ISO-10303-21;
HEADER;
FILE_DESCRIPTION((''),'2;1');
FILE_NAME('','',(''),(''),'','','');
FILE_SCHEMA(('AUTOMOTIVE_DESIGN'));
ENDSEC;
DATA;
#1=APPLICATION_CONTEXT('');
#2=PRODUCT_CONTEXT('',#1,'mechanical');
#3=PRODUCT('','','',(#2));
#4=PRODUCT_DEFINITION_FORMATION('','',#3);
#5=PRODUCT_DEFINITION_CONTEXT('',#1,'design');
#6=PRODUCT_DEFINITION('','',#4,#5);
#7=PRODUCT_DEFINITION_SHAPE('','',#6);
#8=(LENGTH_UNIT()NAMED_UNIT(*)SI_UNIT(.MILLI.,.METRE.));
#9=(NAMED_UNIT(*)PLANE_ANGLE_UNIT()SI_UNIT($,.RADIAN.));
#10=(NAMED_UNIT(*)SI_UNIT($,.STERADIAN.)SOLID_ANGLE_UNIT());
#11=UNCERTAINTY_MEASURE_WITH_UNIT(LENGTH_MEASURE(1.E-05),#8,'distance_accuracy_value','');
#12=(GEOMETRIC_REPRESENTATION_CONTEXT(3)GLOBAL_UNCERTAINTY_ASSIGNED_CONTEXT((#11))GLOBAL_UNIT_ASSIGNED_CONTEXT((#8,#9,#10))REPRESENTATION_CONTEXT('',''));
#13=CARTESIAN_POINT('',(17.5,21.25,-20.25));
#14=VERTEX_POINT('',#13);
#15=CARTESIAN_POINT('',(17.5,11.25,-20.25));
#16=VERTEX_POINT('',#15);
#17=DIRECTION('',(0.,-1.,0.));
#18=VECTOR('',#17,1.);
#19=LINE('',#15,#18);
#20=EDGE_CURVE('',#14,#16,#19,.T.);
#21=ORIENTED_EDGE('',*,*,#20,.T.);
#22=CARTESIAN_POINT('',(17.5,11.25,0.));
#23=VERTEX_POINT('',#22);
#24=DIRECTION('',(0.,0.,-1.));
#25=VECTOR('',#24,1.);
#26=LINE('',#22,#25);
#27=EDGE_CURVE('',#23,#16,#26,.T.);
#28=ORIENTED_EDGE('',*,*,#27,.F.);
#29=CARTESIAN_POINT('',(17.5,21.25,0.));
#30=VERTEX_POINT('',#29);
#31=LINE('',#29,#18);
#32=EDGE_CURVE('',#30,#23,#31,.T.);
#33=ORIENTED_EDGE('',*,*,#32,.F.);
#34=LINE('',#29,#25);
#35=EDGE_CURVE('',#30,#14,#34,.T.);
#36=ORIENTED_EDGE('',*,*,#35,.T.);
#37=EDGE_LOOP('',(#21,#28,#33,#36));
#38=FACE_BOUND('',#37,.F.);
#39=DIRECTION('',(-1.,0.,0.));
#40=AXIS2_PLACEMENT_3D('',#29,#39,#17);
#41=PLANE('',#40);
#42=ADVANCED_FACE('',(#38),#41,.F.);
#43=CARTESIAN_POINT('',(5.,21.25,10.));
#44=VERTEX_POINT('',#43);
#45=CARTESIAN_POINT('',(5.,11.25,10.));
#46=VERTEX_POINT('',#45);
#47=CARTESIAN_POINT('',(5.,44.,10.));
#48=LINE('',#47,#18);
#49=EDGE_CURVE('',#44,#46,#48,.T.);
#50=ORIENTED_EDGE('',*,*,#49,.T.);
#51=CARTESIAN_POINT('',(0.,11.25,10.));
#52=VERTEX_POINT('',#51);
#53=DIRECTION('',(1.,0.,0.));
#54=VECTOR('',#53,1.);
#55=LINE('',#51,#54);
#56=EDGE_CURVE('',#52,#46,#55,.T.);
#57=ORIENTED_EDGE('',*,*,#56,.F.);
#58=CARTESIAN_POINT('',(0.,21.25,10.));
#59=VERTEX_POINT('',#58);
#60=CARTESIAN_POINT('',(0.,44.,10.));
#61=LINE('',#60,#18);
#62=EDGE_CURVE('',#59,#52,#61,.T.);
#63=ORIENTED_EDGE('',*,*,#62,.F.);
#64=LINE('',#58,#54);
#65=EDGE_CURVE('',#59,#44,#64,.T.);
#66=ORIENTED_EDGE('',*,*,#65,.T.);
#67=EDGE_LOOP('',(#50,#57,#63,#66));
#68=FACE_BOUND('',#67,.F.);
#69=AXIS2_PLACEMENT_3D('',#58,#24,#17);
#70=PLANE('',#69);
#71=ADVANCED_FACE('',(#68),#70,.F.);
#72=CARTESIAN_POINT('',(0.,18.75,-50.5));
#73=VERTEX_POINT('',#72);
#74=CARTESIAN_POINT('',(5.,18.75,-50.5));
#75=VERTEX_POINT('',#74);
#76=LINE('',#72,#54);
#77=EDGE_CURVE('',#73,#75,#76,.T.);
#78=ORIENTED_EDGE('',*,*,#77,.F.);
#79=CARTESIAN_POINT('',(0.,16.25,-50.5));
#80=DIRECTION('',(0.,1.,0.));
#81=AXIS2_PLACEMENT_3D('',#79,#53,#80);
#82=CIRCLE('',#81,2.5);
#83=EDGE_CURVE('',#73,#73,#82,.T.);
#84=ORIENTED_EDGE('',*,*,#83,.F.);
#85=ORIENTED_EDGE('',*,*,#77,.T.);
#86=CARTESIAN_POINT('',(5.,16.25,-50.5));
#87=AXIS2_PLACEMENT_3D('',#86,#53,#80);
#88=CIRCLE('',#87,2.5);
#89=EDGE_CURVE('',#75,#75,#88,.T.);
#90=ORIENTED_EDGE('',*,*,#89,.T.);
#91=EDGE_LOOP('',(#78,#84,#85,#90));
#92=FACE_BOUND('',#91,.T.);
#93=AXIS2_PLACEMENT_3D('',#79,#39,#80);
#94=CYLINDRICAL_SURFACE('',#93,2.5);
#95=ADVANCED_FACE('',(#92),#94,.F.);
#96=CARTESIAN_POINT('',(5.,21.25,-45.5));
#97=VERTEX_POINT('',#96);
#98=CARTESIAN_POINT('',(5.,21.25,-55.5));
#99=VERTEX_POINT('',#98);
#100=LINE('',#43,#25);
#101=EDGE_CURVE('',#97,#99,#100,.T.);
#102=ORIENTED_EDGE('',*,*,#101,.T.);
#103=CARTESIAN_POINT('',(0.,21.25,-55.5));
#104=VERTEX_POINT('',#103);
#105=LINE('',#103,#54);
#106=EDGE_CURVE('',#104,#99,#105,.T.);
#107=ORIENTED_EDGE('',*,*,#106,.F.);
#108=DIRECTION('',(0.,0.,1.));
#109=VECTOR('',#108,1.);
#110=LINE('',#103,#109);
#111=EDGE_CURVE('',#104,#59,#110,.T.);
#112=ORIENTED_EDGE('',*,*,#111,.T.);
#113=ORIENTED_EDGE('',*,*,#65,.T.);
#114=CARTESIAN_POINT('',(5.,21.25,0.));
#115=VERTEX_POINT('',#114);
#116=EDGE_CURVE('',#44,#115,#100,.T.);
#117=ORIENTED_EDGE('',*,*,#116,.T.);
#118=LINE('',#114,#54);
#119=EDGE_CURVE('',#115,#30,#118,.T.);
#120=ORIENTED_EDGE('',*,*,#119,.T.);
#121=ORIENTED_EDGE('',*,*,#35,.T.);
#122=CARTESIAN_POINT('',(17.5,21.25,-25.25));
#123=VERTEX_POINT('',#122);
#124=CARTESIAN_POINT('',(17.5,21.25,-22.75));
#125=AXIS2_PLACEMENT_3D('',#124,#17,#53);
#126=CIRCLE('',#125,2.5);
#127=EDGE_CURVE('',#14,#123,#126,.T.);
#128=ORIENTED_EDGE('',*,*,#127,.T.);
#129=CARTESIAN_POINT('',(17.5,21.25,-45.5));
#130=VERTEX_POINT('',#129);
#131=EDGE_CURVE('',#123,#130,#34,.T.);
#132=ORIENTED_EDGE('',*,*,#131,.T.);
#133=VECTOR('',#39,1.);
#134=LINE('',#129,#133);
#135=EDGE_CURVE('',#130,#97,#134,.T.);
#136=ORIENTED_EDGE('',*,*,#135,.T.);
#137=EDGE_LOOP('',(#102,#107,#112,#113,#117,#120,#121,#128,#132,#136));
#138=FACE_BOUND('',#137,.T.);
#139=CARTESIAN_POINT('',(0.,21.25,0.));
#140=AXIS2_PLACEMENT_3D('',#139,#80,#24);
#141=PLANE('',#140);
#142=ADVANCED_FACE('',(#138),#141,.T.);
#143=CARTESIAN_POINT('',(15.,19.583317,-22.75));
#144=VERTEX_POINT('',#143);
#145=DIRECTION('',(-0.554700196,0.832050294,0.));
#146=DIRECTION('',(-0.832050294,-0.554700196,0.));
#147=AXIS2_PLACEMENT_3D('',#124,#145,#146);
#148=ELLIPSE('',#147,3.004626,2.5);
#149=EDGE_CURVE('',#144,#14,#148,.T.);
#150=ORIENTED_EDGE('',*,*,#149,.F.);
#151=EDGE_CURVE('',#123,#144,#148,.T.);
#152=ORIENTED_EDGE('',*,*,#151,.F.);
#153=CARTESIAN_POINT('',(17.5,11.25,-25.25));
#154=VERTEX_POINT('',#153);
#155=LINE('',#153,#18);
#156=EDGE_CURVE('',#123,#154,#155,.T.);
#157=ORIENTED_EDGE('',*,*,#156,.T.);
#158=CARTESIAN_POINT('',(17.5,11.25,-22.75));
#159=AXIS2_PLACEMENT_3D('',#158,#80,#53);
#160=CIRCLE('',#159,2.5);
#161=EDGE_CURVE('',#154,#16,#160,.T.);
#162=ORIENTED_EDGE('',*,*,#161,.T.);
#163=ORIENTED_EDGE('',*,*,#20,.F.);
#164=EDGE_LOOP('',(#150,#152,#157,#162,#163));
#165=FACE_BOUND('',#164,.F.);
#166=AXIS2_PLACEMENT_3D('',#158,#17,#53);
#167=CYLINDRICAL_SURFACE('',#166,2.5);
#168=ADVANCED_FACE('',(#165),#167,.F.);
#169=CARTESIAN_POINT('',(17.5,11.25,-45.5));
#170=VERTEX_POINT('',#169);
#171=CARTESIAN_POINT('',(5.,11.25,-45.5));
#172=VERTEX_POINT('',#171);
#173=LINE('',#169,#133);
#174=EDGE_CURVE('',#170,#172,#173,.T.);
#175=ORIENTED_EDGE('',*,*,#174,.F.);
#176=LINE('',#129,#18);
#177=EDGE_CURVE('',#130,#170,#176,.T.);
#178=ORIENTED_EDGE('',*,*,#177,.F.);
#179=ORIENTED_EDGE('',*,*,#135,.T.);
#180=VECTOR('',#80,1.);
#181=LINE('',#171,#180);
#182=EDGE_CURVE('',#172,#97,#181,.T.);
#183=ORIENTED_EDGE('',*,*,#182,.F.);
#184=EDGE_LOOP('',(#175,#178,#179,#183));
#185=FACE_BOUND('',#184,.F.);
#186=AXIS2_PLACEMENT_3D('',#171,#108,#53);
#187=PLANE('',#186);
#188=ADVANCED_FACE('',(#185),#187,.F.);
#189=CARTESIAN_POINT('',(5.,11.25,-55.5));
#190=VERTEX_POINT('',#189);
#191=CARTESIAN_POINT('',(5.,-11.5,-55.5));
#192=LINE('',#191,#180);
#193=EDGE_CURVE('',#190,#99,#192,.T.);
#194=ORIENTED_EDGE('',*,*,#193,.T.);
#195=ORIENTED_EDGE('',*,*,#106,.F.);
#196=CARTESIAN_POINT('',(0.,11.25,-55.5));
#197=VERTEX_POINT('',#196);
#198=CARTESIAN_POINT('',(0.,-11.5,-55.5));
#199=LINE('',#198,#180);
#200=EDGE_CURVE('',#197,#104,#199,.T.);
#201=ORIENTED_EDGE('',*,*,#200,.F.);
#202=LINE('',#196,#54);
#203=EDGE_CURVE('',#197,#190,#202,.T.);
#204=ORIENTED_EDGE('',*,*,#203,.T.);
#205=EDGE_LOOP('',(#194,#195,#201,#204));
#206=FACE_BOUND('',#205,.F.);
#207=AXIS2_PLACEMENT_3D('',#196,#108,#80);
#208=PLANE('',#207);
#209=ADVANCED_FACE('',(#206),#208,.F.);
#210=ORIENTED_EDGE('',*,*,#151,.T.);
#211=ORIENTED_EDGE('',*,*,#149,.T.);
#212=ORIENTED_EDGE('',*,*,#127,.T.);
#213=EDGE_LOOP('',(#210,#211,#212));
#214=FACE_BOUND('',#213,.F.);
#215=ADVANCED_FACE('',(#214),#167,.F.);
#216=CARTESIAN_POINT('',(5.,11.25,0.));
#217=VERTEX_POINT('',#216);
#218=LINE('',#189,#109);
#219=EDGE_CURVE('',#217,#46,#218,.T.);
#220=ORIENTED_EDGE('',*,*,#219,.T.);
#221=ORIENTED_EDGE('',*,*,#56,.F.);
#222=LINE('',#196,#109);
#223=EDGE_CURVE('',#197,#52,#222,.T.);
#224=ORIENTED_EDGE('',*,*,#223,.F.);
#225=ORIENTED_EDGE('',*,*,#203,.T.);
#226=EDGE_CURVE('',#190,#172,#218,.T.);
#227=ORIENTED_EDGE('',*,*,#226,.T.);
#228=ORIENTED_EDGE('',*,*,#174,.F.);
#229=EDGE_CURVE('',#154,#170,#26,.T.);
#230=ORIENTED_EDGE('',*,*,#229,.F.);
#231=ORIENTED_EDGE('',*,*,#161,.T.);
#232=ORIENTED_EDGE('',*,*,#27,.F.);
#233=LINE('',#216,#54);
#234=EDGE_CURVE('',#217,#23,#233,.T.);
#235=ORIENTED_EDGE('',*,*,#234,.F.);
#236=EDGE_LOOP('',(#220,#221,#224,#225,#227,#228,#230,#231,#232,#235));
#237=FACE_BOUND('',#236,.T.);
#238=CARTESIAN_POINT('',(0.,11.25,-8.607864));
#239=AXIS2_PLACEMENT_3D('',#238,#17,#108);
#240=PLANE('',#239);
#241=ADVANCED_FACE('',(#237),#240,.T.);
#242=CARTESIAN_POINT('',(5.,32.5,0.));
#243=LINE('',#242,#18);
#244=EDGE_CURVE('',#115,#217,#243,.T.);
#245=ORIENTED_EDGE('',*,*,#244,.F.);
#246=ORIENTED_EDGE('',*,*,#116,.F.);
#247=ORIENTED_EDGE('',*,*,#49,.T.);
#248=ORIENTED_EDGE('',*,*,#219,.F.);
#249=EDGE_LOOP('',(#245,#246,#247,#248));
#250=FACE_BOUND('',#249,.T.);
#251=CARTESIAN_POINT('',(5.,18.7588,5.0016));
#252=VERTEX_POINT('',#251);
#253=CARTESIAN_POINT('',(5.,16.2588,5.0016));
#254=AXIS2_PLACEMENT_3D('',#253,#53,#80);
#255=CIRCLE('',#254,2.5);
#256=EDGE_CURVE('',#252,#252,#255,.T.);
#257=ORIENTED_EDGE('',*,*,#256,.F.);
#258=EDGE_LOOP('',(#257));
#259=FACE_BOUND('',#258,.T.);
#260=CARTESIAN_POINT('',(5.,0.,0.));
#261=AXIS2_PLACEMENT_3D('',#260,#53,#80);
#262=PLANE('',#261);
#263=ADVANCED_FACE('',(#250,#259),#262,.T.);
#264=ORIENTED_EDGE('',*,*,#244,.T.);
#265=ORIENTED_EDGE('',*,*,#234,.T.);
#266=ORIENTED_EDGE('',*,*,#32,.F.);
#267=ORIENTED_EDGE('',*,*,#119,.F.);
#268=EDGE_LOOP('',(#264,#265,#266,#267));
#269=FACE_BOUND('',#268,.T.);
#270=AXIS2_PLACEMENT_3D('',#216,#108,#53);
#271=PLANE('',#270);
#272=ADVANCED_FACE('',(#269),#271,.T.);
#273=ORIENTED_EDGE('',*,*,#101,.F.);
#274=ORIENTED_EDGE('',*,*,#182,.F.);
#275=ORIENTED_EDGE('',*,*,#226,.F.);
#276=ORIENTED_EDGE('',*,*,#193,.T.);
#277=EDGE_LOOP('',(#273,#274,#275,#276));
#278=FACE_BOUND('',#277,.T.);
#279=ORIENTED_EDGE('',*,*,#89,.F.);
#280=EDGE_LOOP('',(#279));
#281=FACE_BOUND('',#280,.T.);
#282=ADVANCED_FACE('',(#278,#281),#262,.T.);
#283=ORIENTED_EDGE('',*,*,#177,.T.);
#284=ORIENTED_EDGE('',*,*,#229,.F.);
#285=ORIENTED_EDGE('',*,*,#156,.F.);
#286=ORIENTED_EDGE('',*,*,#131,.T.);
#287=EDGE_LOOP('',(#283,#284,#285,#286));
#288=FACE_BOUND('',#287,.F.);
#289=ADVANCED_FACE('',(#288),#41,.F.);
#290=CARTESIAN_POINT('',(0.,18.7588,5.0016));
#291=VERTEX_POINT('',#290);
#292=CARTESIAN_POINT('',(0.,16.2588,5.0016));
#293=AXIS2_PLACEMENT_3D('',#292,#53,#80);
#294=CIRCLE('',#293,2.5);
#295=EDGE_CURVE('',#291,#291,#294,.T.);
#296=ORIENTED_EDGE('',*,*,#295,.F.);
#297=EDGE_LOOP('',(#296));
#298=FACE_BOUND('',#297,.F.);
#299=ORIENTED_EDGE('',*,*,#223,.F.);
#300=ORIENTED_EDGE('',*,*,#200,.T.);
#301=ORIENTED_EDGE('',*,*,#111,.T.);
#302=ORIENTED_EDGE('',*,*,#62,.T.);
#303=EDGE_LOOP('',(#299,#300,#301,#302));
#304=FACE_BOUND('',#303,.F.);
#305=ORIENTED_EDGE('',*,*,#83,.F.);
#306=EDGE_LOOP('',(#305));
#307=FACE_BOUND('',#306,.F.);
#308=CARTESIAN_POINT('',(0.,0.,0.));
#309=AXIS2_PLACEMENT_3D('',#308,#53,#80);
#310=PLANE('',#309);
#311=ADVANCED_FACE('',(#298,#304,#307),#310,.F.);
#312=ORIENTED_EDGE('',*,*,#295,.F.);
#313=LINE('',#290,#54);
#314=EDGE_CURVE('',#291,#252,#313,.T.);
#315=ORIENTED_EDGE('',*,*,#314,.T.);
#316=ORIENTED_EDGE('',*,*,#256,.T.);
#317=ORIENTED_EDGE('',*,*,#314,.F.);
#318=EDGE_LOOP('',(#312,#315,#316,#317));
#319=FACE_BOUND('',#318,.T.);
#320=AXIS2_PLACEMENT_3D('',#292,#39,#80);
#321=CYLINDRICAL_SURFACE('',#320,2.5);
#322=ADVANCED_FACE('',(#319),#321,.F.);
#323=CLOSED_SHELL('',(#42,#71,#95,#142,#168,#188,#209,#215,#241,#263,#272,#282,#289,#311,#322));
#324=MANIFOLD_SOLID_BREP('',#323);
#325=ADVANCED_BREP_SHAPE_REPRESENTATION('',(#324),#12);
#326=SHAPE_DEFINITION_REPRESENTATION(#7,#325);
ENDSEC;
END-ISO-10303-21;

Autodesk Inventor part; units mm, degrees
ref_plane "YZ Plane" through (0, 0, 0) normal (1, 0, 0) x (0, 1, 0)
ref_plane "XZ Plane" through (0, 0, 0) normal (0, 1, 0) x (-1, 0, 0)
ref_plane "XY Plane" through (0, 0, 0) normal (0, 0, 1) x (1, 0, 0)
sketch "Sketch1" plane through (0, 0, 0) normal (1, 0, 0) x (0, 1, 0)
  line L0 (-6, -12.5) -> (-6, -12.9)
  arc A0 (-6, -12.9) -> (-5.6, -13.3) centre (-5.6, -12.9) ccw
  line L1 (-5.6, -13.3) -> (-4.9, -13.3)
  arc A1 (-4.9, -13.3) -> (-4.7, -13.1) centre (-4.9, -13.1) ccw
  line L2 (-4.7, -13.1) -> (-4.7, -12.85)
  arc A2 (-4.5, -12.65) -> (-4.7, -12.85) centre (-4.5, -12.85) ccw
  line L3 (-4.5, -12.65) -> (-1.8, -12.65)
  arc A3 (-1.4, -13.05) -> (-1.8, -12.65) centre (-1.8, -13.05) ccw
  line L4 (-1.4, -13.05) -> (-1.4, -18.75)
  line L5 (-1.8, -19.15) -> (-4.5, -19.15)
  arc A4 (-1.8, -19.15) -> (-1.4, -18.75) centre (-1.8, -18.75) ccw
  arc A5 (-4.7, -18.95) -> (-4.5, -19.15) centre (-4.5, -18.95) ccw
  line L6 (-4.7, -18.95) -> (-4.7, -18.7)
  arc A6 (-4.7, -18.7) -> (-4.9, -18.5) centre (-4.9, -18.7) ccw
  line L7 (-4.9, -18.5) -> (-5.6, -18.5)
  arc A7 (-5.6, -18.5) -> (-6, -18.9) centre (-5.6, -18.9) ccw
  line L8 (-6, -18.9) -> (-6, -19.5)
  line L9 (-6.5, -6.5) -> (-6.5, -12.5)
  line L10 (-6.5, -12.5) -> (-2.5, -12.5)
  line L11 (-1.05, -19.5) -> (-6.5, -19.5)
  line L12 (-6.5, -19.5) -> (-6.5, -26)
  line L13 (-6.5, -26) -> (-1.05, -26)
  line L14 (-6, -26) -> (-6, -26.6)
  arc A8 (-6, -26.6) -> (-5.6, -27) centre (-5.6, -26.6) ccw
  line L15 (-5.6, -27) -> (-4.9, -27)
  arc A9 (-4.9, -27) -> (-4.7, -26.8) centre (-4.9, -26.8) ccw
  arc A10 (-4.5, -26.35) -> (-4.7, -26.55) centre (-4.5, -26.55) ccw
  line L16 (-4.7, -26.8) -> (-4.7, -26.55)
  line L17 (-4.5, -26.35) -> (-1.8, -26.35)
  arc A11 (-1.4, -26.75) -> (-1.8, -26.35) centre (-1.8, -26.75) ccw
  line L18 (-1.4, -26.75) -> (-1.4, -32.45)
  arc A12 (-1.8, -32.85) -> (-1.4, -32.45) centre (-1.8, -32.45) ccw
  line L19 (-1.8, -32.85) -> (-4.5, -32.85)
  arc A13 (-4.7, -32.65) -> (-4.5, -32.85) centre (-4.5, -32.65) ccw
  line L20 (-4.7, -32.65) -> (-4.7, -32.4)
  arc A14 (-4.7, -32.4) -> (-4.9, -32.2) centre (-4.9, -32.4) ccw
  line L21 (-4.9, -32.2) -> (-5.6, -32.2)
  arc A15 (-5.6, -32.2) -> (-6, -32.6) centre (-5.6, -32.6) ccw
  line L22 (-6, -32.6) -> (-6, -33)
  line L23 (-2.5, -33) -> (-6.5, -33)
  line L24 (-6.5, -33) -> (-6.5, -39)
  line L25 (32.5, 0) -> (0, 0)
  circle A16 centre (0, -6.5) radius 4.75
  circle A17 centre (32.5, -6.5) radius 4.75
  circle A18 centre (0, -39) radius 4.75
  circle A19 centre (32.5, -39) radius 4.75
  line L26 (39, -26) -> (39, -19.5)
  line L27 (39, -12.5) -> (39, -6.5)
  line L28 (39, -39) -> (39, -33)
  line L29 (26.5, -45.5) -> (32.5, -45.5)
  line L30 (0, -45.5) -> (6, -45.5)
  line L31 (13, -45.5) -> (19.5, -45.5)
  circle A20 centre (16.25, -22.75) radius 15
  circle A21 centre (16.2588, 5.0016) radius 2.5
  circle A22 centre (16.25, -50.5) radius 2.5
  circle A23 centre (16.25, -22.75) radius 5
  circle A24 centre (16.25, -22.75) radius 8.45
  line L32 (24.75, -27.6575) -> (24.75, -17.8425)
  line L33 (44, 10) -> (-11.5, 10)
  line L34 (-11.5, 10) -> (-11.5, -55.5)
  line L35 (-11.5, -55.5) -> (44, -55.5)
  line L36 (44, -55.5) -> (44, 10)
  line L37 (-11.5, 30) -> (44, 30)
  line L38 (-11.5, -75.5) -> (-11.5, 30)
  line L39 (44, 30) -> (44, -75.5)
  line L40 (44, -75.5) -> (-11.5, -75.5)
  circle A25 centre (16.25, -65.5) radius 5
  circle A26 centre (16.25, 20) radius 5
  arc A27 (11.25, -55.5) -> (21.25, -55.5) centre (16.25, -55.5) ccw
  line L41 (21.25, 10) -> (21.25, -55.5)
  line L42 (11.25, -55.5) -> (11.25, 10)
  arc A28 (21.25, 10) -> (11.25, 10) centre (16.25, 10) ccw
  line L43 (21.25, -45.5) -> (11.25, -45.5)
  point P0 (21.25, 0)
  point P1 (11.25, 0)
extrude "Extrusion1" add sketch "Sketch1" along normal blind 10 contours L41 A20 L42 L25 | L41 A24 L42 A20 | L41 A23 L42 A24 | L42 A24 L41 A20 | A20 L41 L43 L31 L42 | A23 | L41 A24 L42 A23
extrude "Extrusion2" add sketch "Sketch1" along normal blind 5 contours L25 L42 L33 L41 | L43 L31 L41 L35 L42
sketch "Sketch2" plane through (10, 11.25, 0) normal (0, 0, 1) x (1, 0, 0)
  line L0 (0, 10) -> (0, 0) projected
  circle A0 centre (0, 5) radius 7.5
  line L1 (0, 5) -> (11.155, 5)
  line L2 (-5, 10) -> (0, 10) projected
  line L3 (0, 10) -> (7.5, 5)
  line L4 (7.5, 5) -> (0, 0)
  line L5 (0, 10) -> (7.5, 10)
  line L6 (7.5, 10) -> (0, 5)
  line L7 (0, 5) -> (7.5, 0)
  line L8 (7.5, 0) -> (0, 0)
  point P0 (-10, -11.25)
  point P1 (3.75, 2.5)
  point P2 (3.75, 7.5)
  dimension "d4" = 15
extrude "Extrusion4" add sketch "Sketch2" against normal up to surface (45.5 mm away) contours L3 L6 L0 | L5 A0 L6 L3 | L7 L4 L0 | L5 L6 A0 | L4 L7 A0 L8 | A0 L7 L8
sketch "Sketch3" plane through (0, 11.25, -55.5) normal (0, -1, 0) x (1, 0, 0)
  line L0 (17.5, 55.5) -> (17.5, 10) projected
  circle A0 centre (17.5, 32.75) radius 2.5
  point P0 (0, 55.5)
  dimension "d9" = 5
extrude "Extrusion5" cut sketch "Sketch3" against normal through all
sketch "Sketch4" plane through (5, 11.25, 0) normal (0, 0, 1) x (1, 0, 0)
  line L0 (12.5, 10) -> (10, 8.3333) projected
  line L1 (12.5, 10) -> (12.5, 0)
  line L2 (12.5, 0) -> (5, 5)
  line L3 (5, 5) -> (12.5, 10)
  point P0 (-5, -11.25)
extrude "Extrusion6" add sketch "Sketch4" against normal up to surface (45.5 mm away)
sketch "Sketch5" plane through (0, 11.25, -55.5) normal (0, -1, 0) x (1, 0, 0)
  line L0 (17.5, 35.25) -> (17.5, 30.25) projected
  circle A0 centre (17.5, 32.75) radius 2.5
  point P0 (0, 55.5)
extrude "Extrusion7" cut sketch "Sketch5" against normal through all
properties part number "SoporteTubosInferior_CPY"
